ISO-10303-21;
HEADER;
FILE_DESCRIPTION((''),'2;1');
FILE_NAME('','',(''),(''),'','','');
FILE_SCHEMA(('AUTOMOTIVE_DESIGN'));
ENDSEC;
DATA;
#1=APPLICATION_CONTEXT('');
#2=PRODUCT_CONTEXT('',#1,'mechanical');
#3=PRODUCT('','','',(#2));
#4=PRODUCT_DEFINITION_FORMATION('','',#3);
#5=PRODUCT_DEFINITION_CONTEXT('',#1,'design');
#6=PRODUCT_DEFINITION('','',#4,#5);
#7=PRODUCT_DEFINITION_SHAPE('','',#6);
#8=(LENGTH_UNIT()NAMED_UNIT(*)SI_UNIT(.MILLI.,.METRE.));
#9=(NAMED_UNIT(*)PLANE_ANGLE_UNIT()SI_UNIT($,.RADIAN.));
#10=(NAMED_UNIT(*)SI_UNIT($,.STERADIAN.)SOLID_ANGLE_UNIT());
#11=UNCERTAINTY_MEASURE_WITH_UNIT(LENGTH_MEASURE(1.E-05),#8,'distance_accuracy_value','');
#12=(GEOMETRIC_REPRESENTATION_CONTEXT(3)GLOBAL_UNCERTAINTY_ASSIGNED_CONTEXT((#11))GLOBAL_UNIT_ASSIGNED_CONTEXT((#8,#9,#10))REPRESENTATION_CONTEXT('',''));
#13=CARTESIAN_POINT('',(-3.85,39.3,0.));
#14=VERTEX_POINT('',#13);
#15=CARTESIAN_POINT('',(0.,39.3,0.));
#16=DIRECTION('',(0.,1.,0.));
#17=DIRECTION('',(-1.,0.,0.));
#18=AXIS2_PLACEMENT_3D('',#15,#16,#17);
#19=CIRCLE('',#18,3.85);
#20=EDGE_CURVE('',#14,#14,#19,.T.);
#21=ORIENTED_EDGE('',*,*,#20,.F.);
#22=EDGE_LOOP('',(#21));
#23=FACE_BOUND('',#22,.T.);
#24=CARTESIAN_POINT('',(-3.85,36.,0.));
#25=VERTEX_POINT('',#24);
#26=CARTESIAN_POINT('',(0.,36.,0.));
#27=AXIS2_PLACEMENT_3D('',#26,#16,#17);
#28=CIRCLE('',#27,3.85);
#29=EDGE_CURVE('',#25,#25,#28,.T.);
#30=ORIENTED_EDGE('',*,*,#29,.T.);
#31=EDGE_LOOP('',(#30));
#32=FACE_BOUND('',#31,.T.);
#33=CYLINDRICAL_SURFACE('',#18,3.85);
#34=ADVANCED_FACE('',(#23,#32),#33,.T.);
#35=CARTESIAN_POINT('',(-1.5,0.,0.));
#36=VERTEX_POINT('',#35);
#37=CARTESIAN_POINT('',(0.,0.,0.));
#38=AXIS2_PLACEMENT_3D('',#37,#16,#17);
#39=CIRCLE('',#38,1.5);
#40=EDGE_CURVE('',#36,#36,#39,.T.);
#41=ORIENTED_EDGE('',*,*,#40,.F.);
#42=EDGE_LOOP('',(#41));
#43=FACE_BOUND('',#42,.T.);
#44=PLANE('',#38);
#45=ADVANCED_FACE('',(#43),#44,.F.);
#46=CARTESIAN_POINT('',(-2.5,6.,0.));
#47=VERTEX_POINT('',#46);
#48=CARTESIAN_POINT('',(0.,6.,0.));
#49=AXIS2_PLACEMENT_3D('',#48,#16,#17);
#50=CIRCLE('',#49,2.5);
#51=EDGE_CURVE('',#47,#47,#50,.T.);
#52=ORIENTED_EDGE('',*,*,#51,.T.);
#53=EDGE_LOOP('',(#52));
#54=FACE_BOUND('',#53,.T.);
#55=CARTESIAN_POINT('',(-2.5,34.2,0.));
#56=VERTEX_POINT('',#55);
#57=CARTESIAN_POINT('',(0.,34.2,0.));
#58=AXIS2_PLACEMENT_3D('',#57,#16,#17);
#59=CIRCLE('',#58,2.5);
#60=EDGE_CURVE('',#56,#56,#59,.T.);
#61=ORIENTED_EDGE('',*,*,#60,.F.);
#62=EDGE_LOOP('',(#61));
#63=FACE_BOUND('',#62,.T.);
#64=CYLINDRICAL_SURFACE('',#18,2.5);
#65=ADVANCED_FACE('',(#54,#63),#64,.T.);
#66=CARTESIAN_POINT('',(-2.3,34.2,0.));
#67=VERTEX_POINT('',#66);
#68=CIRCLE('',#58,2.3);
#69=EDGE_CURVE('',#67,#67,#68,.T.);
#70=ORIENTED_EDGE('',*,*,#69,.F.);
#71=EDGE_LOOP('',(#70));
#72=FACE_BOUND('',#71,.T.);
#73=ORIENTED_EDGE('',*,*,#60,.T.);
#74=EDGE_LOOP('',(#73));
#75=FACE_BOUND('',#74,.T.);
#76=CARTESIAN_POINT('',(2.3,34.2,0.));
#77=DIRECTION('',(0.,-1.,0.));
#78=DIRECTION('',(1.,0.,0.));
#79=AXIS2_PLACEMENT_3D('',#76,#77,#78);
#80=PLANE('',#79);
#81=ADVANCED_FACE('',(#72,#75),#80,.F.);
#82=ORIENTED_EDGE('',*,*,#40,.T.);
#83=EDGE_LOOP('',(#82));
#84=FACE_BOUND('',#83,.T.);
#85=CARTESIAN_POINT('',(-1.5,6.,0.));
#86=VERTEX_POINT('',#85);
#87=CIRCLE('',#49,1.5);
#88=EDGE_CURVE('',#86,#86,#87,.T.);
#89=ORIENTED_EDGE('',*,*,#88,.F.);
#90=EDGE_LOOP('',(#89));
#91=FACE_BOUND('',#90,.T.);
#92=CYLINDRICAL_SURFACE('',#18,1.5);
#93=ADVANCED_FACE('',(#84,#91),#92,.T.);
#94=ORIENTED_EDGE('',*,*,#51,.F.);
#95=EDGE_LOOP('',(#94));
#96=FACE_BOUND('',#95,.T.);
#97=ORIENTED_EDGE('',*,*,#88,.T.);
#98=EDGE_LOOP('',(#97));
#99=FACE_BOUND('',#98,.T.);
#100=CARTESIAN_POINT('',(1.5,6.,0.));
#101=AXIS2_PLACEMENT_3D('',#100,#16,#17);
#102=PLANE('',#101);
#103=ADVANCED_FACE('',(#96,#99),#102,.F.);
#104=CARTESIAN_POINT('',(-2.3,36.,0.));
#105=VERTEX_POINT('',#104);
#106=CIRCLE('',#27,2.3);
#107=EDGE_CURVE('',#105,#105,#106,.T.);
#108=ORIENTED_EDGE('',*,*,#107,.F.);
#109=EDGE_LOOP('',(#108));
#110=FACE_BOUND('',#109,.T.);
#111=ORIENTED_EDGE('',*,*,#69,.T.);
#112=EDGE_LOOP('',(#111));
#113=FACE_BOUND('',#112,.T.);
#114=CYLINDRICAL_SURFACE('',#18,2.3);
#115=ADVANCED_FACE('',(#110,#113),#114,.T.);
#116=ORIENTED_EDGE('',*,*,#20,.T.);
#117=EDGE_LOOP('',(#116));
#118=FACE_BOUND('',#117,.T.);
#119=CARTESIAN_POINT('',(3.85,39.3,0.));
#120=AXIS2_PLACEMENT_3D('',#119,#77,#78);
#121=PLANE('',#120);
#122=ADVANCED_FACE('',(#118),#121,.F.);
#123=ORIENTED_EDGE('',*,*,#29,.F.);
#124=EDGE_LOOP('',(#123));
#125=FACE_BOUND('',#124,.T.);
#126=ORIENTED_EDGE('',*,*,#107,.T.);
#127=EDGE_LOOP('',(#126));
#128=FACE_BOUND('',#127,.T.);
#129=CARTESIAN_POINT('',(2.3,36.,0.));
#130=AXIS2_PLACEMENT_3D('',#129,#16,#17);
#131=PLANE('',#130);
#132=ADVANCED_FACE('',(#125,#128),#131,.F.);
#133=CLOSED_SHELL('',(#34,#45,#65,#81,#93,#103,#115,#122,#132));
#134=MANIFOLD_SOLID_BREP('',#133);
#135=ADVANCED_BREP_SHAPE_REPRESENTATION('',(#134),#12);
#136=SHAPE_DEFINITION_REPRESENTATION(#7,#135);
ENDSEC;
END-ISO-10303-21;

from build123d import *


with BuildPart() as part:
    # Sketch1 → Revolve1 (revolve)
    with BuildSketch(Plane.XY, mode=Mode.PRIVATE) as revolve1_sk:
        Polygon((0, 0), (1.5, 0), (1.5, 6), (2.5, 6), (2.5, 34.2), (2.3, 34.2), (2.3, 36), (3.85, 36), (3.85, 39.3), (0, 39.3), align=None)
    revolve(revolve1_sk.sketch.rotate(Axis((0, 39.3, 0), (0, -1, 0)), 180), axis=Axis((0, 39.3, 0), (0, -1, 0)))


solid = part.part
